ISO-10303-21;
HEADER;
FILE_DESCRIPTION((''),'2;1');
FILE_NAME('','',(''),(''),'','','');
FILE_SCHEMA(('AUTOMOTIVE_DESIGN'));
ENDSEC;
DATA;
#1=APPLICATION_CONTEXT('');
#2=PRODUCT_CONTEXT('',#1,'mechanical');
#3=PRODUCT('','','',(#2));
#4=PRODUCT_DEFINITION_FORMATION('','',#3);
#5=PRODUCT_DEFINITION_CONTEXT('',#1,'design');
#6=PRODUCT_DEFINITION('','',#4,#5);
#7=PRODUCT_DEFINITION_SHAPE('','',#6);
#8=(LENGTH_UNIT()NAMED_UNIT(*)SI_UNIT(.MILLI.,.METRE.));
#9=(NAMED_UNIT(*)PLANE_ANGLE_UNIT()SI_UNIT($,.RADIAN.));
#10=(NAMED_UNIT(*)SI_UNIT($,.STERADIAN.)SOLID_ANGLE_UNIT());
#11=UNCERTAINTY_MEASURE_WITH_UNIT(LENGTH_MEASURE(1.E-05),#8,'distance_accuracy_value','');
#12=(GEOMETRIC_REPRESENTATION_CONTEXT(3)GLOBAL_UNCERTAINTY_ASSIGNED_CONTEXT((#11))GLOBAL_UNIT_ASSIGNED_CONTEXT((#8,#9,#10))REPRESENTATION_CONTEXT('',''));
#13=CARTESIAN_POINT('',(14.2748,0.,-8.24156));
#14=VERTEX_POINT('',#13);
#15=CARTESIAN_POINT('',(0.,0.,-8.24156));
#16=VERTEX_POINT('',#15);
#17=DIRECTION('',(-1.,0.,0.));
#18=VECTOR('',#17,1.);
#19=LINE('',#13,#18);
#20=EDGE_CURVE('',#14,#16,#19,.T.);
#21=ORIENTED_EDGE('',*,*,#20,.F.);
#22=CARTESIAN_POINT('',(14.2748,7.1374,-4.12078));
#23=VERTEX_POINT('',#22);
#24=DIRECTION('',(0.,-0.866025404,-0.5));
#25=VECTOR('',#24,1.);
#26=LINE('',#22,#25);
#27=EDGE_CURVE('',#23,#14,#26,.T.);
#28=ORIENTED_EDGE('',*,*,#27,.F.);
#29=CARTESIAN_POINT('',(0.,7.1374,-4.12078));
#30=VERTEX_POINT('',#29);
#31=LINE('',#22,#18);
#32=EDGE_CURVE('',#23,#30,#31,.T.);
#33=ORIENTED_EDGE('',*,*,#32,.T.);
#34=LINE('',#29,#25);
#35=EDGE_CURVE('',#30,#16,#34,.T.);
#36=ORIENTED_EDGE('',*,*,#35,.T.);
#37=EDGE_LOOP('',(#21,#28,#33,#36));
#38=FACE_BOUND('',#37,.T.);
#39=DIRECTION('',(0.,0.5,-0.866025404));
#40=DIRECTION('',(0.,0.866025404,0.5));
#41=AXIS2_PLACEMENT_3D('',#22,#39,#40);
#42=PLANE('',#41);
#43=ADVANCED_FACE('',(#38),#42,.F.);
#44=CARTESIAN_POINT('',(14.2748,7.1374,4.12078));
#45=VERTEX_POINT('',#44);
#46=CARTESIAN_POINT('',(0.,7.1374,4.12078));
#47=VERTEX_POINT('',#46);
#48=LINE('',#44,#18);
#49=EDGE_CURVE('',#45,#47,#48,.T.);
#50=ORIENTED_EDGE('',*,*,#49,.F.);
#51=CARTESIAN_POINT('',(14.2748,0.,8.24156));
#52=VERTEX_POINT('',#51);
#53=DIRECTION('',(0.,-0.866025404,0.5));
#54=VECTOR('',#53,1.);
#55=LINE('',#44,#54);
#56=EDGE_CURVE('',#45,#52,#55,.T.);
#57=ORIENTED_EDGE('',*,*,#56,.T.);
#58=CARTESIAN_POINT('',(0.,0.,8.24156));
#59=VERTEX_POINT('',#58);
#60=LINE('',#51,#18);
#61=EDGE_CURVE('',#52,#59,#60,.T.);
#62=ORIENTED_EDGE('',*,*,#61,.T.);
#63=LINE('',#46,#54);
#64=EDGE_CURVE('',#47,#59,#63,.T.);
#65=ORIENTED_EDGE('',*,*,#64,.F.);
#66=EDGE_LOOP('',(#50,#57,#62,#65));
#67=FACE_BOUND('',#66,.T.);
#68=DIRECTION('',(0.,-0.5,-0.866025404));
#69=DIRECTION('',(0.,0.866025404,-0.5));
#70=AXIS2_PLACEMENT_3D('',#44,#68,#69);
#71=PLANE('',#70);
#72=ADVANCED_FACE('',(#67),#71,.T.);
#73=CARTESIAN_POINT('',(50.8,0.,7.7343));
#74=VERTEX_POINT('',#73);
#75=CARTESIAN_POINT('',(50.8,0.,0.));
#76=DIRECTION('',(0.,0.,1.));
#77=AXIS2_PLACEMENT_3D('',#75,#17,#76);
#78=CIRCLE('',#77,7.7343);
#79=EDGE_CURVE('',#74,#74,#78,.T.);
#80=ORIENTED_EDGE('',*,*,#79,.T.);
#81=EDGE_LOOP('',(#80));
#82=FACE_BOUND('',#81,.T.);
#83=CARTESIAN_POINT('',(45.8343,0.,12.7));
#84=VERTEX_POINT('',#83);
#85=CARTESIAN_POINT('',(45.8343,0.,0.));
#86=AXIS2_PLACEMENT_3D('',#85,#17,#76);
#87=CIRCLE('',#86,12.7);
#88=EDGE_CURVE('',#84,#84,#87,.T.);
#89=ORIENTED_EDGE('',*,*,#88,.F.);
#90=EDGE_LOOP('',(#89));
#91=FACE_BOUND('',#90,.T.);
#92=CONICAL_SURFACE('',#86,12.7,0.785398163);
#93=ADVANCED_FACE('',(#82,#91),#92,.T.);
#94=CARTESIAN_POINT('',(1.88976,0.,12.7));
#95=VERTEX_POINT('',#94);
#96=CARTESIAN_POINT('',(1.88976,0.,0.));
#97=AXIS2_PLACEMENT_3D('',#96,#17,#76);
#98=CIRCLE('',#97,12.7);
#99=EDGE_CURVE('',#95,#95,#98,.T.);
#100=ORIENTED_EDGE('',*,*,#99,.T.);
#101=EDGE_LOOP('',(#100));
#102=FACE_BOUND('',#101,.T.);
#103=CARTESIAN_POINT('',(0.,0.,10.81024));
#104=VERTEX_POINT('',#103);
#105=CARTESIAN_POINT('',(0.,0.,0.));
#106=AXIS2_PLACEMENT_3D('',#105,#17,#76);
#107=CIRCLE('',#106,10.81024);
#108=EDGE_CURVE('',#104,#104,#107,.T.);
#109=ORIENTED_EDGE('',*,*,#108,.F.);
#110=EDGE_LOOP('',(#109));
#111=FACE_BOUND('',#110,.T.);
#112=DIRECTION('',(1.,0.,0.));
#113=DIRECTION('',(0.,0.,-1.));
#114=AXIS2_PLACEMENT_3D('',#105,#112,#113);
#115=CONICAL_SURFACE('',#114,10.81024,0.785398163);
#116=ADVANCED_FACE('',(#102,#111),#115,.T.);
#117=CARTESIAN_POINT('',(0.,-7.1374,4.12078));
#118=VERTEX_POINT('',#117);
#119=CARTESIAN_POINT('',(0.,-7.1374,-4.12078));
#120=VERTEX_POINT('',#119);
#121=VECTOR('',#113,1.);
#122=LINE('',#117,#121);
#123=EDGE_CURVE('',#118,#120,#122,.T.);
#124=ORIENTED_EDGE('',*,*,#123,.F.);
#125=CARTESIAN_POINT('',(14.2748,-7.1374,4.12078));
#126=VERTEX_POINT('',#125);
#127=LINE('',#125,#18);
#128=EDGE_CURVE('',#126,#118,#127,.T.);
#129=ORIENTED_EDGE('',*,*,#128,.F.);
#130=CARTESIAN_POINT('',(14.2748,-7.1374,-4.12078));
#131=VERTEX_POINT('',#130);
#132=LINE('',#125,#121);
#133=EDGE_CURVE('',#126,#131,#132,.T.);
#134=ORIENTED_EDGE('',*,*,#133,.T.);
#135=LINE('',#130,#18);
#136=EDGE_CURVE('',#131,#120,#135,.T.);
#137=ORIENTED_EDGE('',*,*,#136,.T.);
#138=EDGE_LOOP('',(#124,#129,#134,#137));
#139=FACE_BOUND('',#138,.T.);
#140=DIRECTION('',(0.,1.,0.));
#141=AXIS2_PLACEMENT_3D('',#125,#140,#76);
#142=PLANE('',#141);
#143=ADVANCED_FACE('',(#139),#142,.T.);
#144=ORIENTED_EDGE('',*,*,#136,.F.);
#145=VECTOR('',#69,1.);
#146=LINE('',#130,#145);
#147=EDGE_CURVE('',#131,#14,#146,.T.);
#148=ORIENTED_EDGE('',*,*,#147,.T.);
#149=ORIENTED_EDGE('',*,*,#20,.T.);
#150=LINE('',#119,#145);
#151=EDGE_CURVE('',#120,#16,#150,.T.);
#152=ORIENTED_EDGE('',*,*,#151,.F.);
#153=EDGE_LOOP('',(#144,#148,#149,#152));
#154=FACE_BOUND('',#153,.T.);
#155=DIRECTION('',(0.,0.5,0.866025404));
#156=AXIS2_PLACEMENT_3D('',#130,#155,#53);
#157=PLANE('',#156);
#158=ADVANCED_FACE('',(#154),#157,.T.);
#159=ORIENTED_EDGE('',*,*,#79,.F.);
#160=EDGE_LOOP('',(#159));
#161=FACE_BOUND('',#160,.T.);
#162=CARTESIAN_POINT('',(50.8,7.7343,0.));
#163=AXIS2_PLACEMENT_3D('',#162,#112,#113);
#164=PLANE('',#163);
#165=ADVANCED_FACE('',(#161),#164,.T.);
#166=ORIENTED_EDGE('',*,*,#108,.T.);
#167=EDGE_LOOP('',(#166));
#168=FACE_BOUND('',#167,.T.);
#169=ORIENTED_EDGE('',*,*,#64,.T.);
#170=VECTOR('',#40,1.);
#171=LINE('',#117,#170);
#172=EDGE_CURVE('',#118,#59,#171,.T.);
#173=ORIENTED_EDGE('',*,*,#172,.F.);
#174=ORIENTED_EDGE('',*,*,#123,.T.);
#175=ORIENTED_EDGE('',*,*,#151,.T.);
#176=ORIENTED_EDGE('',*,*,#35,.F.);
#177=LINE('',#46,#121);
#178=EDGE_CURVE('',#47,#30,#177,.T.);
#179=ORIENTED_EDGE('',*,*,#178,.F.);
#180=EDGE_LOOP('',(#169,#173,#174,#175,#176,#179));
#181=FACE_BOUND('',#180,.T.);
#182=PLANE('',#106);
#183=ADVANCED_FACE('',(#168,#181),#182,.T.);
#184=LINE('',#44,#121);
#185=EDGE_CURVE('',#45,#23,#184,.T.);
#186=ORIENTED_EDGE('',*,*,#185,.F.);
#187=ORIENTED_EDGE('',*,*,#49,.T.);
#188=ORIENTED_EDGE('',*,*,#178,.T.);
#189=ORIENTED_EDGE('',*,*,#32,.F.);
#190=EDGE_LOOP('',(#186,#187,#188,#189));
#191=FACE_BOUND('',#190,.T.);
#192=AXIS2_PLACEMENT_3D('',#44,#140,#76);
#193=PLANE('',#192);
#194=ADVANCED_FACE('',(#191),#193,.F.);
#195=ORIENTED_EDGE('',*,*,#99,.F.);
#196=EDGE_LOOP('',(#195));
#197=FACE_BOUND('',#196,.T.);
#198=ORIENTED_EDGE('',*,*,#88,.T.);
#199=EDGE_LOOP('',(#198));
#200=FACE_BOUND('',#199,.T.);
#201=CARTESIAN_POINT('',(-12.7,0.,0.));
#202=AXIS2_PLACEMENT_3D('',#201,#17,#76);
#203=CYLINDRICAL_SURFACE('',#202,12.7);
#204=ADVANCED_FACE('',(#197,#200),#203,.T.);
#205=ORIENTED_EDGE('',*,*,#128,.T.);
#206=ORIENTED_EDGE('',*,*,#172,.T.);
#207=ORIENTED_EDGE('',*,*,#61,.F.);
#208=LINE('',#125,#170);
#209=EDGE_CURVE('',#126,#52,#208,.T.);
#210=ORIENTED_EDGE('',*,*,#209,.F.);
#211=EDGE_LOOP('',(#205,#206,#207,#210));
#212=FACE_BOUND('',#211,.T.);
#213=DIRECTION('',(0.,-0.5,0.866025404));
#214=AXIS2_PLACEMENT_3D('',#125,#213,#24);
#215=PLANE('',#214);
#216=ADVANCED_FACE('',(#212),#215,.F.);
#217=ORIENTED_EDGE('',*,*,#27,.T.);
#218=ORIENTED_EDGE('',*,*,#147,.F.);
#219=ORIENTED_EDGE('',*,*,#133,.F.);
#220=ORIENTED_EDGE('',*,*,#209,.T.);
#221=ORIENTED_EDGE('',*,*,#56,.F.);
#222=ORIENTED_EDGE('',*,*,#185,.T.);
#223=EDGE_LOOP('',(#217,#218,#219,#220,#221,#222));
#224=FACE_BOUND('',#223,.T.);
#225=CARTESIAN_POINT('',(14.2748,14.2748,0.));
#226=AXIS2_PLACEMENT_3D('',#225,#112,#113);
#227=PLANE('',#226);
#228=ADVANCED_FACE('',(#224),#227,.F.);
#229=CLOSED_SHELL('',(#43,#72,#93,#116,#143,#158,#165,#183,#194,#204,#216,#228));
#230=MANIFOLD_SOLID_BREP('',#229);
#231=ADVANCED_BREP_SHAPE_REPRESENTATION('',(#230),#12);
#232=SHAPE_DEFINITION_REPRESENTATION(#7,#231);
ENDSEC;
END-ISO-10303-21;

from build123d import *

# Parameters (mm, degrees)
HEX_2_DEPTH = 14.2748


with BuildPart() as part:
    # BodySke → BaseBody (revolve)
    with BuildSketch(Plane.XY, mode=Mode.PRIVATE) as basebody_sk:
        Polygon((0, 0), (0, 10.81024), (1.88976, 12.7), (45.8343, 12.7), (50.8, 7.7343), (50.8, 0), align=None)
    revolve(basebody_sk.sketch.rotate(Axis((-12.7, 0, 0), (1, 0, 0)), 90), axis=Axis((-12.7, 0, 0), (1, 0, 0)))

    # Sketch2 → Hex 2 (cut)
    with BuildSketch(Plane.ZY):
        Polygon((4.120779811, 7.1374), (-4.120779811, 7.1374), (-8.241559623, 0), (-4.120779811, -7.1374), (4.120779811, -7.1374), (8.241559623, 0), align=None)
    extrude(amount=-HEX_2_DEPTH, mode=Mode.SUBTRACT)


solid = part.part
